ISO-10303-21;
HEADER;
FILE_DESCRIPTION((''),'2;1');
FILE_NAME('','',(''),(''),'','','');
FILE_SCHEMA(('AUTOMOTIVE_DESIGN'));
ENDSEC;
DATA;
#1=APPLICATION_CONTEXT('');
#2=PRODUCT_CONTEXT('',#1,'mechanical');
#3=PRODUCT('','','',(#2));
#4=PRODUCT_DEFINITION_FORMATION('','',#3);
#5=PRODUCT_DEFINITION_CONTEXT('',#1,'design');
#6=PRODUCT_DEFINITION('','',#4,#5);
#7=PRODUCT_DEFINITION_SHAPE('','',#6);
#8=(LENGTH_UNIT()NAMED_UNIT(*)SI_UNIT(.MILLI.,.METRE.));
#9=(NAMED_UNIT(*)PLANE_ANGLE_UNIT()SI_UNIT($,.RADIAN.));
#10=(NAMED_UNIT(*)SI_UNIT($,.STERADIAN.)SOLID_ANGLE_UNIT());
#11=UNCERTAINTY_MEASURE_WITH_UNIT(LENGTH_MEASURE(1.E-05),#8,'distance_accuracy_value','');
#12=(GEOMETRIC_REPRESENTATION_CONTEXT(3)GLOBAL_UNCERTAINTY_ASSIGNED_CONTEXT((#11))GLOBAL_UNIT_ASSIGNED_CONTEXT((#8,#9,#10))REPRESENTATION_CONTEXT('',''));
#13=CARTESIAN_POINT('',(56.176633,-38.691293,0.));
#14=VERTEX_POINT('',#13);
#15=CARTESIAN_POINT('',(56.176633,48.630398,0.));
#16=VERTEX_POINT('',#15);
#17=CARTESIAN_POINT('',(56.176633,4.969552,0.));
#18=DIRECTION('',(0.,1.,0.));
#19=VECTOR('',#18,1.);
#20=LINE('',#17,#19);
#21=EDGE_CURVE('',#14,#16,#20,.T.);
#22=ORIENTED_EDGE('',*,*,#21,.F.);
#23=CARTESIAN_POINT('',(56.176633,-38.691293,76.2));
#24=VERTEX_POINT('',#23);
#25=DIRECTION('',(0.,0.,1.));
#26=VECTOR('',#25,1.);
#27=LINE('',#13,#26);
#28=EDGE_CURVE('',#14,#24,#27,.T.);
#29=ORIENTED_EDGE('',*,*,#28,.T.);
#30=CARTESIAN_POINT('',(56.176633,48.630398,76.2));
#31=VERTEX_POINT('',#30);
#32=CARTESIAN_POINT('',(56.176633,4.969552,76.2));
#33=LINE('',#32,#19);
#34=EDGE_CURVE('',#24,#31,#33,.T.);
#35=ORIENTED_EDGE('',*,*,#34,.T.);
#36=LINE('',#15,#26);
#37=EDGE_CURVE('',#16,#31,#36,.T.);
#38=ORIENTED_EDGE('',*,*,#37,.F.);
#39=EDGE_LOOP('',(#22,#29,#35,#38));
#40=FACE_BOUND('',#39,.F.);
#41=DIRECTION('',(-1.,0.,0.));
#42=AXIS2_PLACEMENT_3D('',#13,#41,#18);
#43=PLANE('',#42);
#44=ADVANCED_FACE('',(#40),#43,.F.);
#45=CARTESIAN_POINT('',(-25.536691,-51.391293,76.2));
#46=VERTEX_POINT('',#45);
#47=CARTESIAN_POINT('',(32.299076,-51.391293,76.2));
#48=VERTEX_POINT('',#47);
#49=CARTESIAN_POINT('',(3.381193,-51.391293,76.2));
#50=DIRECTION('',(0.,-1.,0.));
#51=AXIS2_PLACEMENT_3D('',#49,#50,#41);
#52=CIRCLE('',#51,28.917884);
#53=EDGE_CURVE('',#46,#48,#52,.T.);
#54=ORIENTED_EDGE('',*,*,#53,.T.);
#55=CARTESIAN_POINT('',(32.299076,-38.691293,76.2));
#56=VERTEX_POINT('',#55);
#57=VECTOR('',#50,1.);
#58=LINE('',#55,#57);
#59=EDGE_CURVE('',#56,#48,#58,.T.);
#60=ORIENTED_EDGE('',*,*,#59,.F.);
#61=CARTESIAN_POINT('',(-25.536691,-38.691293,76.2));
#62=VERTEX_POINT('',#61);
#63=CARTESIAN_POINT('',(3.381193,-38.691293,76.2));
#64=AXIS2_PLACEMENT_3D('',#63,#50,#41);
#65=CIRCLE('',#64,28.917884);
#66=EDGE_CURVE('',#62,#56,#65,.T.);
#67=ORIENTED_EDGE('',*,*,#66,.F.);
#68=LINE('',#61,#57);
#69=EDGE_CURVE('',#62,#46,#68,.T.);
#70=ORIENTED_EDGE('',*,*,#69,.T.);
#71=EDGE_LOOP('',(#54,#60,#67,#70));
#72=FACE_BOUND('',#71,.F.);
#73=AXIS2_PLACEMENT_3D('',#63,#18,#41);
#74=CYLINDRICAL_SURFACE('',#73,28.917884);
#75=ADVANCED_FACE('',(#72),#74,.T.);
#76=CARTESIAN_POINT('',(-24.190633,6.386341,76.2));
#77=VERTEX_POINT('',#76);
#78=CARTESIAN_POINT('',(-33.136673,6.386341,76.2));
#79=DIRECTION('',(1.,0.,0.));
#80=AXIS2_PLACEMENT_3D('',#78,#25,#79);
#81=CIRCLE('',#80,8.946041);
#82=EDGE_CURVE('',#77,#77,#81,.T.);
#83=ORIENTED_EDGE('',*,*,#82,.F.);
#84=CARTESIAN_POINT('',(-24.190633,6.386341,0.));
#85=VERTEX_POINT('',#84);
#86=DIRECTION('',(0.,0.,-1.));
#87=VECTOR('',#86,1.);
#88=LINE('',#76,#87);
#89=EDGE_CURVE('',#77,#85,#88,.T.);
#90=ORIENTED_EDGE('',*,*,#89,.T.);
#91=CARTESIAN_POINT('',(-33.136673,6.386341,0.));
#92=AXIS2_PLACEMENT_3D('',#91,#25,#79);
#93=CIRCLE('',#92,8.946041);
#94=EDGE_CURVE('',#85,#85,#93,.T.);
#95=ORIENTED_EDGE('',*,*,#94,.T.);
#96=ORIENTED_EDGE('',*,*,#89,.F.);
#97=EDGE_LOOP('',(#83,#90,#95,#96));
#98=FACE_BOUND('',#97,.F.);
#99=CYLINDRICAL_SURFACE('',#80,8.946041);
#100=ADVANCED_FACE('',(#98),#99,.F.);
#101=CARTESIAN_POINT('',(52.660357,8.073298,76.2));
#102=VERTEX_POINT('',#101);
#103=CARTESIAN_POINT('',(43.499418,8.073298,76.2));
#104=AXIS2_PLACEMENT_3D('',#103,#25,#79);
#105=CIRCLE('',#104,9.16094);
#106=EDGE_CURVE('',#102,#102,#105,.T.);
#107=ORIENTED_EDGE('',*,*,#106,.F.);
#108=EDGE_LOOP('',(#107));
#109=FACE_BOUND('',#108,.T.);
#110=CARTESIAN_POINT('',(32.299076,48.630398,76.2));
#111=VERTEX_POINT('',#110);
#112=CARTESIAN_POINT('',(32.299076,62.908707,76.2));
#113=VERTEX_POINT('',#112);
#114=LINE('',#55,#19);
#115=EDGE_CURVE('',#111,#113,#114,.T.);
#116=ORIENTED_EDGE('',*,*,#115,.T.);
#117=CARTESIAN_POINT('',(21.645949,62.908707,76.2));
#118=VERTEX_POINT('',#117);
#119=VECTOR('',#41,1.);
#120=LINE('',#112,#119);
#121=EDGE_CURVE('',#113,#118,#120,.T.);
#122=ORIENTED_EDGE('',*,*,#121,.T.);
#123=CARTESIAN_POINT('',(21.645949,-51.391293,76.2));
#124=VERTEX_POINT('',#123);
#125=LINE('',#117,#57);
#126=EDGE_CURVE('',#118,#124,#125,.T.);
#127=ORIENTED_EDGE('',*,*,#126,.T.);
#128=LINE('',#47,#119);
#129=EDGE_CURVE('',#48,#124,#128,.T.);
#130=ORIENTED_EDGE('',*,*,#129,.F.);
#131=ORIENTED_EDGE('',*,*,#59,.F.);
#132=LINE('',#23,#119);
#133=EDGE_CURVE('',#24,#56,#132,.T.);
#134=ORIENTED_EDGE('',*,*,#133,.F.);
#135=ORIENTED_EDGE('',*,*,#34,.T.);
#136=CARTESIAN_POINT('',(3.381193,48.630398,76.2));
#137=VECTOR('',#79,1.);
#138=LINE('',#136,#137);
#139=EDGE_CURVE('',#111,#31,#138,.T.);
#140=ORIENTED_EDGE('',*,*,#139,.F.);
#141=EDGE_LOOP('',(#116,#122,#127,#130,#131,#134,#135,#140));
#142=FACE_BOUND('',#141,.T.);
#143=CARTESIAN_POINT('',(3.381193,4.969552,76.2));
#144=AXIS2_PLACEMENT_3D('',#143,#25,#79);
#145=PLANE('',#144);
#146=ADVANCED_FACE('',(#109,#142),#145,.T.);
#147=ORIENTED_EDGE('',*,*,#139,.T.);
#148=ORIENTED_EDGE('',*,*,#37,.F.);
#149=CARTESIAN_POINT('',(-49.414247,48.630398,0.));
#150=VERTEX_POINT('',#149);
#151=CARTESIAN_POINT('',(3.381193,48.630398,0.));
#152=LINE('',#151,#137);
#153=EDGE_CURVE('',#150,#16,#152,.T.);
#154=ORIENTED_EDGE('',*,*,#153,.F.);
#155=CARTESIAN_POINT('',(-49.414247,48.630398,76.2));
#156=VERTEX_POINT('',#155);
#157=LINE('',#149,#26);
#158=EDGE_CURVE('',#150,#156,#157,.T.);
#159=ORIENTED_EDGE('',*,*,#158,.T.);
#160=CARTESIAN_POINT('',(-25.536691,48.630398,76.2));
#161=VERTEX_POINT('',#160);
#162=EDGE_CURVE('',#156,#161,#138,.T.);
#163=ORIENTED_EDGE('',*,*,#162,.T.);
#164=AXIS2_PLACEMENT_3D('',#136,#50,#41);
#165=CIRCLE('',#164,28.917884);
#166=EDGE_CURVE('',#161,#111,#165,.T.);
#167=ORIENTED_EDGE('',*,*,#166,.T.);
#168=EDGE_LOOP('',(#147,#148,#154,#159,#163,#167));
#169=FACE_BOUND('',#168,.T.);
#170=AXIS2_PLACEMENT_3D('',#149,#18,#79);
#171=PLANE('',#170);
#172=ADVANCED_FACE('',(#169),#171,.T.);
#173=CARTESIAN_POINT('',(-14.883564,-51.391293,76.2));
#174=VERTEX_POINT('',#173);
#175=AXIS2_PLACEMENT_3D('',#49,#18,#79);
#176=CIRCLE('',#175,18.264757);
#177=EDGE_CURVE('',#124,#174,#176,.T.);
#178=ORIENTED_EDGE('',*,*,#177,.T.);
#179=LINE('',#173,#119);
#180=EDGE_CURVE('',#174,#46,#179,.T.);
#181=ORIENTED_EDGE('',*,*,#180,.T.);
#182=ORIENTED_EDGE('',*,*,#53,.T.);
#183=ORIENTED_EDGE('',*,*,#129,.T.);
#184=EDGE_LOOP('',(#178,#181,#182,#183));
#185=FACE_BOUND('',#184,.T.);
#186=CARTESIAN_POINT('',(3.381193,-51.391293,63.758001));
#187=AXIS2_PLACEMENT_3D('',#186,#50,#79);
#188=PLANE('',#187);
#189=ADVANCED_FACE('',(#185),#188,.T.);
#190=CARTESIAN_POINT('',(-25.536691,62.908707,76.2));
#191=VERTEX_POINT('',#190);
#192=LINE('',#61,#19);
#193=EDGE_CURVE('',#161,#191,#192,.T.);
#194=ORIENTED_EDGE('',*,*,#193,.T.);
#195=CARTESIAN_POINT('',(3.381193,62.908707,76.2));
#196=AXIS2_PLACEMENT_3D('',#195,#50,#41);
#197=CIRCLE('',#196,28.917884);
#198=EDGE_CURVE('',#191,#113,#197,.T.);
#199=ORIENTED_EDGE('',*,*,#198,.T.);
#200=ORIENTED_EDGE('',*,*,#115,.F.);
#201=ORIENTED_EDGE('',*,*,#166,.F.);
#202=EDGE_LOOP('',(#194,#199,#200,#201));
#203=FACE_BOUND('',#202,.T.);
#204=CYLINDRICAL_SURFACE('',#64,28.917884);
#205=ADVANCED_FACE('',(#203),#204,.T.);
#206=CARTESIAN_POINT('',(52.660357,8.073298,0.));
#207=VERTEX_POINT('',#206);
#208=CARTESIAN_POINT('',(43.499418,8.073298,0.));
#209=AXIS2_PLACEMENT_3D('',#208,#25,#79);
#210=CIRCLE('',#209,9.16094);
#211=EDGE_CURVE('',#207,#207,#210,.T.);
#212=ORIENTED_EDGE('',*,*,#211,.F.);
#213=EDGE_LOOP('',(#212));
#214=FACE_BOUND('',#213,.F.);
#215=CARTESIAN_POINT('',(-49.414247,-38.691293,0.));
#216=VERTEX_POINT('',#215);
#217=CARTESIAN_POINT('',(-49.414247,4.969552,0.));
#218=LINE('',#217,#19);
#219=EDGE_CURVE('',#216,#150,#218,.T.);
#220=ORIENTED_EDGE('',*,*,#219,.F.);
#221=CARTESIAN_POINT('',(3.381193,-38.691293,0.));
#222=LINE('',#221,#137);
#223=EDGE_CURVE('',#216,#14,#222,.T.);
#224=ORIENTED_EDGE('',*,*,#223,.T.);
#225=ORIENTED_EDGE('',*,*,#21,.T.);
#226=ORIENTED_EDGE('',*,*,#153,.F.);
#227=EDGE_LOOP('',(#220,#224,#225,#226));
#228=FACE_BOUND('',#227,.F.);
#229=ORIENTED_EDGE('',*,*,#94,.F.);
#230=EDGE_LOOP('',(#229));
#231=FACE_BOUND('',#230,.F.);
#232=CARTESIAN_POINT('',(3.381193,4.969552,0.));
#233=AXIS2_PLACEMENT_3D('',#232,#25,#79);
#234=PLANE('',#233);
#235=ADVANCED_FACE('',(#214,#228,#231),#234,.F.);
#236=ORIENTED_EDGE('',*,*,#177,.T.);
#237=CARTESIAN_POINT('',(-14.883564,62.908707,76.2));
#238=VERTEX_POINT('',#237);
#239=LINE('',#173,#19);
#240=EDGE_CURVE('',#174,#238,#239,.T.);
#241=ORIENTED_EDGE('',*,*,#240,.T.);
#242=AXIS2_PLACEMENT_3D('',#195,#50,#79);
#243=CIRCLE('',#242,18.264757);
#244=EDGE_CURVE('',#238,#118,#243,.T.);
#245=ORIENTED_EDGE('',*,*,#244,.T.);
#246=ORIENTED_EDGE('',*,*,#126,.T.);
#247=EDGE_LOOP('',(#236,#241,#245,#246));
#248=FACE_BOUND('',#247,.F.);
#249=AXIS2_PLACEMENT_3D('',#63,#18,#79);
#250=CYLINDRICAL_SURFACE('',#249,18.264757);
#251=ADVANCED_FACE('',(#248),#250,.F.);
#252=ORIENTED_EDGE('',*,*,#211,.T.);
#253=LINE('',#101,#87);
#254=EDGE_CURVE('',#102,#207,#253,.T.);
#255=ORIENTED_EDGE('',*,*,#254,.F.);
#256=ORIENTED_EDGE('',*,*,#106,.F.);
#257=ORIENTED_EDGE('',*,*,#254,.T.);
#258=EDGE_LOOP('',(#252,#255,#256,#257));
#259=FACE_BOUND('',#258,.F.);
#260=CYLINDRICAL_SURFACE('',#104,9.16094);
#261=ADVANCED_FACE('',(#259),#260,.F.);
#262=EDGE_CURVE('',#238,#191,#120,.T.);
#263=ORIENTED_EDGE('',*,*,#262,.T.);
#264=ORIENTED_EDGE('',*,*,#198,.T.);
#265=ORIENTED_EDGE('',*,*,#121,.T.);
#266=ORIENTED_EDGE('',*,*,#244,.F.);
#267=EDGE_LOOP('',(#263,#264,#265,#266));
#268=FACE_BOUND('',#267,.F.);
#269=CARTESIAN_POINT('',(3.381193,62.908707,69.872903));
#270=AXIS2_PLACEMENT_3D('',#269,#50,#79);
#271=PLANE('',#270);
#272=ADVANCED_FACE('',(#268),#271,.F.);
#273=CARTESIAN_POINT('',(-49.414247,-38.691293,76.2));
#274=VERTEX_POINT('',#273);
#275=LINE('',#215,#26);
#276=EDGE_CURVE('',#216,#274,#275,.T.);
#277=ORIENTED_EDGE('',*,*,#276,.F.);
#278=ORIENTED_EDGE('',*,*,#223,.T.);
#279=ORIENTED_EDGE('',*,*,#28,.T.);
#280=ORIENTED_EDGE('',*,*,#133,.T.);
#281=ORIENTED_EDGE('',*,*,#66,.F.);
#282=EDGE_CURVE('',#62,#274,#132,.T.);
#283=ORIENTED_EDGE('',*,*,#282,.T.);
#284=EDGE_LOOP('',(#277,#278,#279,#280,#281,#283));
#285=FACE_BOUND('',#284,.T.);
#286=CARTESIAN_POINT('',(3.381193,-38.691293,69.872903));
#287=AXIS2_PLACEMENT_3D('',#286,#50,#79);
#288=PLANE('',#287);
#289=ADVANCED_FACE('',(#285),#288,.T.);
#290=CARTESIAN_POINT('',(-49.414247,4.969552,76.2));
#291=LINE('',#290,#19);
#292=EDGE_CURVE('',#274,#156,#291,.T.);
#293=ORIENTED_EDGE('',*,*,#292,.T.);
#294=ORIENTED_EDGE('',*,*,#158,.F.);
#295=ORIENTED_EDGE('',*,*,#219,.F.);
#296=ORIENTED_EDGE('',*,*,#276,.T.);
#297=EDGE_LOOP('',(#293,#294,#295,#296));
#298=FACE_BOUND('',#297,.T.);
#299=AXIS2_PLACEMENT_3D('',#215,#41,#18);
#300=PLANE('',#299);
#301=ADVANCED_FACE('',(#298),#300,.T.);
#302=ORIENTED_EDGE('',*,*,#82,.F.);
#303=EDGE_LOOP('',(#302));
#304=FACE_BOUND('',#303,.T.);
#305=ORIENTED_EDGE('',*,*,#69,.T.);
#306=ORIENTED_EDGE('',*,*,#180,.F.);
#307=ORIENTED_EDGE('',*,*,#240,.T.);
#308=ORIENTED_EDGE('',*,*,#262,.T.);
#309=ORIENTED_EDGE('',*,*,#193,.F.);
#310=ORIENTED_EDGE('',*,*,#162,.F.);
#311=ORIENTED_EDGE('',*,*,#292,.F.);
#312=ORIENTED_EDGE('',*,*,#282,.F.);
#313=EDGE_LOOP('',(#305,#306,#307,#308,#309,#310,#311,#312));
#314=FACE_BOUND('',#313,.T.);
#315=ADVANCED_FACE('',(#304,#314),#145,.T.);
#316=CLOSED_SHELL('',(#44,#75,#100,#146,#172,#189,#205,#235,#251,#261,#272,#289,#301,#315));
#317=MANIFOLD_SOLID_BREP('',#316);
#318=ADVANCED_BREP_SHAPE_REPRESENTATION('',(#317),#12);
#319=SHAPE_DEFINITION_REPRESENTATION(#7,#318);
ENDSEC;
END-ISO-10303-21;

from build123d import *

# Parameters (mm, degrees)
F0_W     = 105.5908799171
F0_H     = 87.321691215
F1_DEPTH = 76.2
F3_DEPTH = 101.6
F4_DEPTH = 12.7
F5_DEPTH = 127
F6_R     = 8.9460405917
F7_DEPTH = 101.6
F6_R_2   = 9.1609397995
F8_DEPTH = 127


with BuildPart() as f1:
    # F0 (on Top) → F1 (new body)
    with BuildSketch(Plane.XY):
        with Locations((3.3811926842, 4.9695521593)):
            Rectangle(F0_W, F0_H)
    extrude(amount=F1_DEPTH)

    # F2 (on face) → F3 (join)
    with BuildSketch(Plane.XZ.offset(38.6912934482)):
        with BuildLine():
            ThreePointArc((-14.8835639872, 76.2), (3.3811926842, 57.9352433286), (21.6459493555, 76.2))
            Line((21.6459493555, 76.2), (-14.8835639872, 76.2))
        make_face()
        with BuildLine():
            ThreePointArc((-25.5366911298, 76.2), (3.3811926842, 47.282116186), (32.2990764981, 76.2))
            Line((32.2990764981, 76.2), (21.6459493555, 76.2))
            ThreePointArc((21.6459493555, 76.2), (3.3811926842, 57.9352433286), (-14.8835639872, 76.2))
            Line((-14.8835639872, 76.2), (-25.5366911298, 76.2))
        make_face()
    extrude(amount=-F3_DEPTH)

    # F2 (on face) → F4 (join)
    with BuildSketch(Plane.XZ.offset(38.6912934482)):
        with BuildLine():
            ThreePointArc((-25.5366911298, 76.2), (3.3811926842, 47.282116186), (32.2990764981, 76.2))
            Line((32.2990764981, 76.2), (21.6459493555, 76.2))
            ThreePointArc((21.6459493555, 76.2), (3.3811926842, 57.9352433286), (-14.8835639872, 76.2))
            Line((-14.8835639872, 76.2), (-25.5366911298, 76.2))
        make_face()
    extrude(amount=F4_DEPTH)

    # F5 (cut): a face of the model
    f5_faces = [f1.faces().sort_by_distance(p)[0] for p in [
        (3.3811926842, -38.6912934482, 68.4481965103),
    ]]
    extrude(f5_faces, amount=-F5_DEPTH, mode=Mode.SUBTRACT)

    # F6 (on face) → F7 (cut)
    with BuildSketch(Plane.XY.offset(76.2)):
        with Locations((-33.1366732717, 6.3863405958)):
            Circle(F6_R)
    extrude(amount=-F7_DEPTH, mode=Mode.SUBTRACT)

    # F6 (on face) → F8 (cut)
    with BuildSketch(Plane.XY.offset(76.2)):
        with Locations((43.499417603, 8.0732982606)):
            Circle(F6_R_2)
    extrude(amount=-F8_DEPTH, mode=Mode.SUBTRACT)


solid = f1.part
